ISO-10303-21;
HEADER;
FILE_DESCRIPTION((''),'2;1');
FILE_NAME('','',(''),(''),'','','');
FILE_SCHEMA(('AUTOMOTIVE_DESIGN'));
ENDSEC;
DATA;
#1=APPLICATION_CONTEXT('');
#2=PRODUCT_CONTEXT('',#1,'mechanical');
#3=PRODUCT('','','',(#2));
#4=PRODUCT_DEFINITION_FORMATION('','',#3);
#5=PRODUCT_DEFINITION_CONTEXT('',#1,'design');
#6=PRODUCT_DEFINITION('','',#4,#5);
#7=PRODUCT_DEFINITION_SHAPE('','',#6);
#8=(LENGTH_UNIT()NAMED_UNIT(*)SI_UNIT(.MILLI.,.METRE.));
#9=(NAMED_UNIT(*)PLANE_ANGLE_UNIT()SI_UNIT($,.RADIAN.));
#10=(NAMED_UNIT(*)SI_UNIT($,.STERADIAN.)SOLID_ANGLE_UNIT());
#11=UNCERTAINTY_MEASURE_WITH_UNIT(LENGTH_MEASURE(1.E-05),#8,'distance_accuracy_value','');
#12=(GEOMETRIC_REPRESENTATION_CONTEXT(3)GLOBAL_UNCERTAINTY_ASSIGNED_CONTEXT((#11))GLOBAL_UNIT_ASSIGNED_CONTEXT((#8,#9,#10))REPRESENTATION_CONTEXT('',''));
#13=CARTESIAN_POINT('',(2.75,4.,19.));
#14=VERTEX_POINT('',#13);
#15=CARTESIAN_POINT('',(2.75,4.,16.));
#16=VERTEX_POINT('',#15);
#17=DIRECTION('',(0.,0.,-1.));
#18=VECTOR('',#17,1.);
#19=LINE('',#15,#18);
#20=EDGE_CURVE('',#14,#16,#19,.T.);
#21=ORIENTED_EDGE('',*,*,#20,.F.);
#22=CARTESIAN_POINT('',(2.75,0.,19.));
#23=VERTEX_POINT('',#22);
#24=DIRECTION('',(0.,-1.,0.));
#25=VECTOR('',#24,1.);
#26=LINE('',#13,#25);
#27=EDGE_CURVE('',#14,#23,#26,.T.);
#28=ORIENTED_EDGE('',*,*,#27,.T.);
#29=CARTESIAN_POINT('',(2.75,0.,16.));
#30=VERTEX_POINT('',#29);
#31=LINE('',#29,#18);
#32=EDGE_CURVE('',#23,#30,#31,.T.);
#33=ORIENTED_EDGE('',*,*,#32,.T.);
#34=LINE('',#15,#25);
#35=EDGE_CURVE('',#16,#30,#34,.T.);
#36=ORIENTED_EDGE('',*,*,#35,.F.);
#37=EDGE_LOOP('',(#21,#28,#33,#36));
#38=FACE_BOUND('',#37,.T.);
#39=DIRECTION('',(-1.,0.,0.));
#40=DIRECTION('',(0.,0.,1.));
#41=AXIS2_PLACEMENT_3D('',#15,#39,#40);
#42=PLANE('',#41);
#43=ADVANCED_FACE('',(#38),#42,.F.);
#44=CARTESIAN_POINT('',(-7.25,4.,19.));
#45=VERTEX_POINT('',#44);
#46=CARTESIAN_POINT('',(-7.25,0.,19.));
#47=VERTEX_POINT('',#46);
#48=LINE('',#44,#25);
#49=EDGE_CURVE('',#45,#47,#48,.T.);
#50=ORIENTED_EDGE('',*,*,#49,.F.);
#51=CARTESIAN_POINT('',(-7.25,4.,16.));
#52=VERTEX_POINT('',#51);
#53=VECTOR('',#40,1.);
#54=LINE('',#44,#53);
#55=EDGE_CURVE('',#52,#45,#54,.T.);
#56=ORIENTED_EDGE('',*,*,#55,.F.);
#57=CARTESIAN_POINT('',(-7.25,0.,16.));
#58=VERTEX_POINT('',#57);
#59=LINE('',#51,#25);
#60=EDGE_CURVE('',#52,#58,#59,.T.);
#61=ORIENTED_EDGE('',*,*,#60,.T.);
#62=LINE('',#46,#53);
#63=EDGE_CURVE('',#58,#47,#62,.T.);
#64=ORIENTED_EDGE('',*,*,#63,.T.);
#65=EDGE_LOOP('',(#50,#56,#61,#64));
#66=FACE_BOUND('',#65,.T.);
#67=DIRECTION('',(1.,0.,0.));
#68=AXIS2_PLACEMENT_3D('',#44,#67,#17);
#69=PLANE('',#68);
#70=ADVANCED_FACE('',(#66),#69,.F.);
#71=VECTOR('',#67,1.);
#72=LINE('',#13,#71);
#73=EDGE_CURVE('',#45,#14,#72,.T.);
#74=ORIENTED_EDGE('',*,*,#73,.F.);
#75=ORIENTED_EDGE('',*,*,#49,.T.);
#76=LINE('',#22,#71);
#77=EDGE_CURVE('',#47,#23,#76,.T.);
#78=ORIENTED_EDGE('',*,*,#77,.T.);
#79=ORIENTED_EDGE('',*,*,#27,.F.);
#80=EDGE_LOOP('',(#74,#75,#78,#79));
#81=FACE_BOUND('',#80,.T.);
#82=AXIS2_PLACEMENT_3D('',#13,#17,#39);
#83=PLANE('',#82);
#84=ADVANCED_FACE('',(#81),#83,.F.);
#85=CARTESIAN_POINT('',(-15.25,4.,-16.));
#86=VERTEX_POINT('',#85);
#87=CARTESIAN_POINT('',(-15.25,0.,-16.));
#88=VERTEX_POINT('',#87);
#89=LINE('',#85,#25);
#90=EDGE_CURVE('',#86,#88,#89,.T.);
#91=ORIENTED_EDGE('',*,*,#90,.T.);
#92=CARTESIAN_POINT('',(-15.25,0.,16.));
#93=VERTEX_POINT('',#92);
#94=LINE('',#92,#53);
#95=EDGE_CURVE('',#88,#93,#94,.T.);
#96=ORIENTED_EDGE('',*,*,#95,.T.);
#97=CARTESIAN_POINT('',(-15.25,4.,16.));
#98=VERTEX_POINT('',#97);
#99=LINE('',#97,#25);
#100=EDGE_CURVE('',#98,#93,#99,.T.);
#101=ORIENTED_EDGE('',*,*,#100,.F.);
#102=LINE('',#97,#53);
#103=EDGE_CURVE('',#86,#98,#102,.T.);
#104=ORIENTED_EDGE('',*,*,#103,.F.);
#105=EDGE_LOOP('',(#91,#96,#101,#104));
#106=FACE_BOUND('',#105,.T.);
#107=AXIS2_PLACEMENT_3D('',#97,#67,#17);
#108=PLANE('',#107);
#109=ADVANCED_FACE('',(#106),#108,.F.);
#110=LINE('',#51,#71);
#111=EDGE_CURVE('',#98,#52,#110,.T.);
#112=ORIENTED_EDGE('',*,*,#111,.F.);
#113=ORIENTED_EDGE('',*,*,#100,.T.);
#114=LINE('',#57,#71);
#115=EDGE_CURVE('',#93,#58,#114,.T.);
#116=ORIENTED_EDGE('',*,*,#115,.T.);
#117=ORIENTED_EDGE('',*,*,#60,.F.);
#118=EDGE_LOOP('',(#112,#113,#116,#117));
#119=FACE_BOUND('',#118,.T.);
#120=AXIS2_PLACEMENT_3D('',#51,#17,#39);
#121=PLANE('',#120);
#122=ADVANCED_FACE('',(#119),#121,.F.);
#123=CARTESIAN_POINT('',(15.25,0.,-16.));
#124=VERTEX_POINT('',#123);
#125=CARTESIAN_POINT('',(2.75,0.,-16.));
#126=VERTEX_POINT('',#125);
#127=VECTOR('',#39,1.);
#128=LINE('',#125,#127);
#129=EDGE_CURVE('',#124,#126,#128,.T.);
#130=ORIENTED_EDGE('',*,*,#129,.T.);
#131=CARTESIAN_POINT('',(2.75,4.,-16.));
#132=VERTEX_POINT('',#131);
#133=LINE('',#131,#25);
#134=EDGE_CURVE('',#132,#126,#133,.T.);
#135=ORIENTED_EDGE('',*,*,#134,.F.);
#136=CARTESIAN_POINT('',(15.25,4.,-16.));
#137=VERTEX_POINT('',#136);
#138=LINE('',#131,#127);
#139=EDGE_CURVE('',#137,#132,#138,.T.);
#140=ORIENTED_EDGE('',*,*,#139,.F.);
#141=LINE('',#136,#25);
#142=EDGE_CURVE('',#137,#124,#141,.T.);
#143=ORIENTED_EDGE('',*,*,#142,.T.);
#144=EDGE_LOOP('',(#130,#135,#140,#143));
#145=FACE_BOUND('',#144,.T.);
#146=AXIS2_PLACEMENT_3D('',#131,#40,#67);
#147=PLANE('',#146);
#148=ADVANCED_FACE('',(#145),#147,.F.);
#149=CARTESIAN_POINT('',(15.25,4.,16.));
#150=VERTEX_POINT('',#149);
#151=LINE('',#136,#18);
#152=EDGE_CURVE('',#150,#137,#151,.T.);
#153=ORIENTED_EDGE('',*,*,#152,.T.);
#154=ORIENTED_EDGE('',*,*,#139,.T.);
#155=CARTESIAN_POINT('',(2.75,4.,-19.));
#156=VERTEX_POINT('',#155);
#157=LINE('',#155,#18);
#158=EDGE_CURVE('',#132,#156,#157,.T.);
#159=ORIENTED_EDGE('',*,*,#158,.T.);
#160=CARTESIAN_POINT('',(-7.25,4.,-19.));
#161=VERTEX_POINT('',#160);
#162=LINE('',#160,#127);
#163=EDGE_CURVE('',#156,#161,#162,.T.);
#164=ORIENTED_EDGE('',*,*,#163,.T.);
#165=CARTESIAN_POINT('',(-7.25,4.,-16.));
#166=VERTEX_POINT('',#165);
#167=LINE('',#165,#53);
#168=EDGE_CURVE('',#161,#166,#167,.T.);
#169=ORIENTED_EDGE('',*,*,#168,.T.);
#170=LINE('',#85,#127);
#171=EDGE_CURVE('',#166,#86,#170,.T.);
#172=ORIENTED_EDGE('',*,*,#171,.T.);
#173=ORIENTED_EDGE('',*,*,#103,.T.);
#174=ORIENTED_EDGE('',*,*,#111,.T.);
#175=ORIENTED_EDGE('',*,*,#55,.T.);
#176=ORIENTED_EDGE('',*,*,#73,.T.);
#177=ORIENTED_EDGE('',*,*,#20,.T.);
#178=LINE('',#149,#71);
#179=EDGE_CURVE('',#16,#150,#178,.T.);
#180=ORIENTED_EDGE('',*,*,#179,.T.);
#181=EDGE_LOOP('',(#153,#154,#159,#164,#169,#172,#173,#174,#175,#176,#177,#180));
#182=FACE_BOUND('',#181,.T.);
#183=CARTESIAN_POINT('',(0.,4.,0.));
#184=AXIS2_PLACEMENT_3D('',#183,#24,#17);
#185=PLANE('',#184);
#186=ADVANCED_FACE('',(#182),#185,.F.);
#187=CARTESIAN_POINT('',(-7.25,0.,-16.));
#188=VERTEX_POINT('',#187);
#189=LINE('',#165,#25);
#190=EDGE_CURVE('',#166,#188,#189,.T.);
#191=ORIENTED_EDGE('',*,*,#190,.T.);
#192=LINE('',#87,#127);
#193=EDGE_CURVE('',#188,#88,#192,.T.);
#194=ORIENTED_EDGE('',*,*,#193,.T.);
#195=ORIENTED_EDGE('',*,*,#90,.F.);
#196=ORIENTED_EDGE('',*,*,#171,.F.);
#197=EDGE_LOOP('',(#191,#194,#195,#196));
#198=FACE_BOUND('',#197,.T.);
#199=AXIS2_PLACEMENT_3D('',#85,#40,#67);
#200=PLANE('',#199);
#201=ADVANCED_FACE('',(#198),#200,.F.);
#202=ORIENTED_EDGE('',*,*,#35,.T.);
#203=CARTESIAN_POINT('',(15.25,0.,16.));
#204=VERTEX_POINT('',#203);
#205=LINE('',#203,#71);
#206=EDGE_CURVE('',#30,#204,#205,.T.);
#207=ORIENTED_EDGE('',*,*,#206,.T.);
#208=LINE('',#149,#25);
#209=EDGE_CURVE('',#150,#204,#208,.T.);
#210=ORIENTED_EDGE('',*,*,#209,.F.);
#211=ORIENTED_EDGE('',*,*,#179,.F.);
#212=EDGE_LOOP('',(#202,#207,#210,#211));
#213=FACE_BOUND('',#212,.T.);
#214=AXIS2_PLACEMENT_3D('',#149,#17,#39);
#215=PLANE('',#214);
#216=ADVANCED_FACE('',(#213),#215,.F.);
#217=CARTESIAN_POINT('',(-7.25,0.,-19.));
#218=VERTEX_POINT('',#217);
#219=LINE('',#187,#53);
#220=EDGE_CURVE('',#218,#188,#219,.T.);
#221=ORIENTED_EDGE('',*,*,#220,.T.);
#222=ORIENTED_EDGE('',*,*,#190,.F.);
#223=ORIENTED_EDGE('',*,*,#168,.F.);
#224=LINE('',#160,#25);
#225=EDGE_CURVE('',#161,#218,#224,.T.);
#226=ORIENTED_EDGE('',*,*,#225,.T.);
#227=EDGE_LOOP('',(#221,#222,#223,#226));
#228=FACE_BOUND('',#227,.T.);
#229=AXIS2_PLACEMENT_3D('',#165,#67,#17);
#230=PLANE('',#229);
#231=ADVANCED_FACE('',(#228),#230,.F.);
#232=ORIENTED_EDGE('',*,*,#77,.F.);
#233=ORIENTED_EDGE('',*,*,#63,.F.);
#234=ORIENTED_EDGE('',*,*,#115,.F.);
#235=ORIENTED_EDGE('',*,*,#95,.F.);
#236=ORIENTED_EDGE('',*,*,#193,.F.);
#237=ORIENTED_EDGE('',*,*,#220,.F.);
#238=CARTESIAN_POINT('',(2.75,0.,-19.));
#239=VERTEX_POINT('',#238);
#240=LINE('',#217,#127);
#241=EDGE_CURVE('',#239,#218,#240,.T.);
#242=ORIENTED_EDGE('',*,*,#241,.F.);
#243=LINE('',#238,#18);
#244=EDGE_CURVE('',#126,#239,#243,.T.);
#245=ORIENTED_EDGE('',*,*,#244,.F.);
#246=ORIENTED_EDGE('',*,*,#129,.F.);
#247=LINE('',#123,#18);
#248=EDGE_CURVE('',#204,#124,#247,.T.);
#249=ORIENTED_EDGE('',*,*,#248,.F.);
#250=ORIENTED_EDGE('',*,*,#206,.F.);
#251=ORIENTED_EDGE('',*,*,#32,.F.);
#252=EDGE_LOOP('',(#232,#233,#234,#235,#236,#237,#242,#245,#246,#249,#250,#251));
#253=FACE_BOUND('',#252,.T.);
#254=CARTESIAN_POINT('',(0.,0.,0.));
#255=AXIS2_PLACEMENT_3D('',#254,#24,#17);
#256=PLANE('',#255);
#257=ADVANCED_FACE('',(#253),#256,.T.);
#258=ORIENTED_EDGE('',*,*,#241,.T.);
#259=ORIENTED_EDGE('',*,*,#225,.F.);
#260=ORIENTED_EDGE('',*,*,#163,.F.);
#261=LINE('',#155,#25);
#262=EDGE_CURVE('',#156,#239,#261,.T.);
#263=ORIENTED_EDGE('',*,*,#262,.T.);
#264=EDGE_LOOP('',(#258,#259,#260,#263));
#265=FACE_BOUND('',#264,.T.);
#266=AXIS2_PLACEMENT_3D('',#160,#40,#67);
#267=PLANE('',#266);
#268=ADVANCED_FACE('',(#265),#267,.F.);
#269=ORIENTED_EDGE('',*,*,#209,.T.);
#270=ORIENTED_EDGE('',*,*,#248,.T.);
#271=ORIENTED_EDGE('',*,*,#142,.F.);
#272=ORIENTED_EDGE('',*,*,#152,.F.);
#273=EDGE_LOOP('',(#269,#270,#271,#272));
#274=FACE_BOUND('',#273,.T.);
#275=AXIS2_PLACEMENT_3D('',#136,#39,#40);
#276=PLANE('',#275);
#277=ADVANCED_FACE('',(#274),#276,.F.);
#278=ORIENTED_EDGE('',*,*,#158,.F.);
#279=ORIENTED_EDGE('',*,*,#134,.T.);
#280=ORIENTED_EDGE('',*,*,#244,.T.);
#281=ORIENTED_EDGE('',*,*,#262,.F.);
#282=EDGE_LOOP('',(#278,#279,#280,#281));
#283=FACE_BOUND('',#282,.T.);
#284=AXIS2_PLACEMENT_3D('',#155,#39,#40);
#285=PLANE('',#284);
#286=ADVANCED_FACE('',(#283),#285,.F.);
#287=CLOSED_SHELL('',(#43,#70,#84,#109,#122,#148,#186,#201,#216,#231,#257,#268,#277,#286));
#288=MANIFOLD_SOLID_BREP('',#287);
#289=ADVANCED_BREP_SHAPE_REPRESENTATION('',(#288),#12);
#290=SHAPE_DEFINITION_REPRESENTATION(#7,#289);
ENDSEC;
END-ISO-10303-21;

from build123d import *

# Parameters (mm, degrees)
BOSS_EXTRU_1_DEPTH = 4


with BuildPart() as part:
    # Esquisse1 → Boss.-Extru.1 (new body)
    with BuildSketch(Plane(origin=(0, 0, 0), x_dir=(1, 0, 0), z_dir=(0, 1, 0))):
        Polygon((2.75, -19), (-7.25, -19), (-7.25, -16), (-15.25, -16), (-15.25, 16), (-7.25, 16), (-7.25, 19), (2.75, 19), (2.75, 16), (15.25, 16), (15.25, -16), (2.75, -16), align=None)
    extrude(amount=BOSS_EXTRU_1_DEPTH)


solid = part.part
